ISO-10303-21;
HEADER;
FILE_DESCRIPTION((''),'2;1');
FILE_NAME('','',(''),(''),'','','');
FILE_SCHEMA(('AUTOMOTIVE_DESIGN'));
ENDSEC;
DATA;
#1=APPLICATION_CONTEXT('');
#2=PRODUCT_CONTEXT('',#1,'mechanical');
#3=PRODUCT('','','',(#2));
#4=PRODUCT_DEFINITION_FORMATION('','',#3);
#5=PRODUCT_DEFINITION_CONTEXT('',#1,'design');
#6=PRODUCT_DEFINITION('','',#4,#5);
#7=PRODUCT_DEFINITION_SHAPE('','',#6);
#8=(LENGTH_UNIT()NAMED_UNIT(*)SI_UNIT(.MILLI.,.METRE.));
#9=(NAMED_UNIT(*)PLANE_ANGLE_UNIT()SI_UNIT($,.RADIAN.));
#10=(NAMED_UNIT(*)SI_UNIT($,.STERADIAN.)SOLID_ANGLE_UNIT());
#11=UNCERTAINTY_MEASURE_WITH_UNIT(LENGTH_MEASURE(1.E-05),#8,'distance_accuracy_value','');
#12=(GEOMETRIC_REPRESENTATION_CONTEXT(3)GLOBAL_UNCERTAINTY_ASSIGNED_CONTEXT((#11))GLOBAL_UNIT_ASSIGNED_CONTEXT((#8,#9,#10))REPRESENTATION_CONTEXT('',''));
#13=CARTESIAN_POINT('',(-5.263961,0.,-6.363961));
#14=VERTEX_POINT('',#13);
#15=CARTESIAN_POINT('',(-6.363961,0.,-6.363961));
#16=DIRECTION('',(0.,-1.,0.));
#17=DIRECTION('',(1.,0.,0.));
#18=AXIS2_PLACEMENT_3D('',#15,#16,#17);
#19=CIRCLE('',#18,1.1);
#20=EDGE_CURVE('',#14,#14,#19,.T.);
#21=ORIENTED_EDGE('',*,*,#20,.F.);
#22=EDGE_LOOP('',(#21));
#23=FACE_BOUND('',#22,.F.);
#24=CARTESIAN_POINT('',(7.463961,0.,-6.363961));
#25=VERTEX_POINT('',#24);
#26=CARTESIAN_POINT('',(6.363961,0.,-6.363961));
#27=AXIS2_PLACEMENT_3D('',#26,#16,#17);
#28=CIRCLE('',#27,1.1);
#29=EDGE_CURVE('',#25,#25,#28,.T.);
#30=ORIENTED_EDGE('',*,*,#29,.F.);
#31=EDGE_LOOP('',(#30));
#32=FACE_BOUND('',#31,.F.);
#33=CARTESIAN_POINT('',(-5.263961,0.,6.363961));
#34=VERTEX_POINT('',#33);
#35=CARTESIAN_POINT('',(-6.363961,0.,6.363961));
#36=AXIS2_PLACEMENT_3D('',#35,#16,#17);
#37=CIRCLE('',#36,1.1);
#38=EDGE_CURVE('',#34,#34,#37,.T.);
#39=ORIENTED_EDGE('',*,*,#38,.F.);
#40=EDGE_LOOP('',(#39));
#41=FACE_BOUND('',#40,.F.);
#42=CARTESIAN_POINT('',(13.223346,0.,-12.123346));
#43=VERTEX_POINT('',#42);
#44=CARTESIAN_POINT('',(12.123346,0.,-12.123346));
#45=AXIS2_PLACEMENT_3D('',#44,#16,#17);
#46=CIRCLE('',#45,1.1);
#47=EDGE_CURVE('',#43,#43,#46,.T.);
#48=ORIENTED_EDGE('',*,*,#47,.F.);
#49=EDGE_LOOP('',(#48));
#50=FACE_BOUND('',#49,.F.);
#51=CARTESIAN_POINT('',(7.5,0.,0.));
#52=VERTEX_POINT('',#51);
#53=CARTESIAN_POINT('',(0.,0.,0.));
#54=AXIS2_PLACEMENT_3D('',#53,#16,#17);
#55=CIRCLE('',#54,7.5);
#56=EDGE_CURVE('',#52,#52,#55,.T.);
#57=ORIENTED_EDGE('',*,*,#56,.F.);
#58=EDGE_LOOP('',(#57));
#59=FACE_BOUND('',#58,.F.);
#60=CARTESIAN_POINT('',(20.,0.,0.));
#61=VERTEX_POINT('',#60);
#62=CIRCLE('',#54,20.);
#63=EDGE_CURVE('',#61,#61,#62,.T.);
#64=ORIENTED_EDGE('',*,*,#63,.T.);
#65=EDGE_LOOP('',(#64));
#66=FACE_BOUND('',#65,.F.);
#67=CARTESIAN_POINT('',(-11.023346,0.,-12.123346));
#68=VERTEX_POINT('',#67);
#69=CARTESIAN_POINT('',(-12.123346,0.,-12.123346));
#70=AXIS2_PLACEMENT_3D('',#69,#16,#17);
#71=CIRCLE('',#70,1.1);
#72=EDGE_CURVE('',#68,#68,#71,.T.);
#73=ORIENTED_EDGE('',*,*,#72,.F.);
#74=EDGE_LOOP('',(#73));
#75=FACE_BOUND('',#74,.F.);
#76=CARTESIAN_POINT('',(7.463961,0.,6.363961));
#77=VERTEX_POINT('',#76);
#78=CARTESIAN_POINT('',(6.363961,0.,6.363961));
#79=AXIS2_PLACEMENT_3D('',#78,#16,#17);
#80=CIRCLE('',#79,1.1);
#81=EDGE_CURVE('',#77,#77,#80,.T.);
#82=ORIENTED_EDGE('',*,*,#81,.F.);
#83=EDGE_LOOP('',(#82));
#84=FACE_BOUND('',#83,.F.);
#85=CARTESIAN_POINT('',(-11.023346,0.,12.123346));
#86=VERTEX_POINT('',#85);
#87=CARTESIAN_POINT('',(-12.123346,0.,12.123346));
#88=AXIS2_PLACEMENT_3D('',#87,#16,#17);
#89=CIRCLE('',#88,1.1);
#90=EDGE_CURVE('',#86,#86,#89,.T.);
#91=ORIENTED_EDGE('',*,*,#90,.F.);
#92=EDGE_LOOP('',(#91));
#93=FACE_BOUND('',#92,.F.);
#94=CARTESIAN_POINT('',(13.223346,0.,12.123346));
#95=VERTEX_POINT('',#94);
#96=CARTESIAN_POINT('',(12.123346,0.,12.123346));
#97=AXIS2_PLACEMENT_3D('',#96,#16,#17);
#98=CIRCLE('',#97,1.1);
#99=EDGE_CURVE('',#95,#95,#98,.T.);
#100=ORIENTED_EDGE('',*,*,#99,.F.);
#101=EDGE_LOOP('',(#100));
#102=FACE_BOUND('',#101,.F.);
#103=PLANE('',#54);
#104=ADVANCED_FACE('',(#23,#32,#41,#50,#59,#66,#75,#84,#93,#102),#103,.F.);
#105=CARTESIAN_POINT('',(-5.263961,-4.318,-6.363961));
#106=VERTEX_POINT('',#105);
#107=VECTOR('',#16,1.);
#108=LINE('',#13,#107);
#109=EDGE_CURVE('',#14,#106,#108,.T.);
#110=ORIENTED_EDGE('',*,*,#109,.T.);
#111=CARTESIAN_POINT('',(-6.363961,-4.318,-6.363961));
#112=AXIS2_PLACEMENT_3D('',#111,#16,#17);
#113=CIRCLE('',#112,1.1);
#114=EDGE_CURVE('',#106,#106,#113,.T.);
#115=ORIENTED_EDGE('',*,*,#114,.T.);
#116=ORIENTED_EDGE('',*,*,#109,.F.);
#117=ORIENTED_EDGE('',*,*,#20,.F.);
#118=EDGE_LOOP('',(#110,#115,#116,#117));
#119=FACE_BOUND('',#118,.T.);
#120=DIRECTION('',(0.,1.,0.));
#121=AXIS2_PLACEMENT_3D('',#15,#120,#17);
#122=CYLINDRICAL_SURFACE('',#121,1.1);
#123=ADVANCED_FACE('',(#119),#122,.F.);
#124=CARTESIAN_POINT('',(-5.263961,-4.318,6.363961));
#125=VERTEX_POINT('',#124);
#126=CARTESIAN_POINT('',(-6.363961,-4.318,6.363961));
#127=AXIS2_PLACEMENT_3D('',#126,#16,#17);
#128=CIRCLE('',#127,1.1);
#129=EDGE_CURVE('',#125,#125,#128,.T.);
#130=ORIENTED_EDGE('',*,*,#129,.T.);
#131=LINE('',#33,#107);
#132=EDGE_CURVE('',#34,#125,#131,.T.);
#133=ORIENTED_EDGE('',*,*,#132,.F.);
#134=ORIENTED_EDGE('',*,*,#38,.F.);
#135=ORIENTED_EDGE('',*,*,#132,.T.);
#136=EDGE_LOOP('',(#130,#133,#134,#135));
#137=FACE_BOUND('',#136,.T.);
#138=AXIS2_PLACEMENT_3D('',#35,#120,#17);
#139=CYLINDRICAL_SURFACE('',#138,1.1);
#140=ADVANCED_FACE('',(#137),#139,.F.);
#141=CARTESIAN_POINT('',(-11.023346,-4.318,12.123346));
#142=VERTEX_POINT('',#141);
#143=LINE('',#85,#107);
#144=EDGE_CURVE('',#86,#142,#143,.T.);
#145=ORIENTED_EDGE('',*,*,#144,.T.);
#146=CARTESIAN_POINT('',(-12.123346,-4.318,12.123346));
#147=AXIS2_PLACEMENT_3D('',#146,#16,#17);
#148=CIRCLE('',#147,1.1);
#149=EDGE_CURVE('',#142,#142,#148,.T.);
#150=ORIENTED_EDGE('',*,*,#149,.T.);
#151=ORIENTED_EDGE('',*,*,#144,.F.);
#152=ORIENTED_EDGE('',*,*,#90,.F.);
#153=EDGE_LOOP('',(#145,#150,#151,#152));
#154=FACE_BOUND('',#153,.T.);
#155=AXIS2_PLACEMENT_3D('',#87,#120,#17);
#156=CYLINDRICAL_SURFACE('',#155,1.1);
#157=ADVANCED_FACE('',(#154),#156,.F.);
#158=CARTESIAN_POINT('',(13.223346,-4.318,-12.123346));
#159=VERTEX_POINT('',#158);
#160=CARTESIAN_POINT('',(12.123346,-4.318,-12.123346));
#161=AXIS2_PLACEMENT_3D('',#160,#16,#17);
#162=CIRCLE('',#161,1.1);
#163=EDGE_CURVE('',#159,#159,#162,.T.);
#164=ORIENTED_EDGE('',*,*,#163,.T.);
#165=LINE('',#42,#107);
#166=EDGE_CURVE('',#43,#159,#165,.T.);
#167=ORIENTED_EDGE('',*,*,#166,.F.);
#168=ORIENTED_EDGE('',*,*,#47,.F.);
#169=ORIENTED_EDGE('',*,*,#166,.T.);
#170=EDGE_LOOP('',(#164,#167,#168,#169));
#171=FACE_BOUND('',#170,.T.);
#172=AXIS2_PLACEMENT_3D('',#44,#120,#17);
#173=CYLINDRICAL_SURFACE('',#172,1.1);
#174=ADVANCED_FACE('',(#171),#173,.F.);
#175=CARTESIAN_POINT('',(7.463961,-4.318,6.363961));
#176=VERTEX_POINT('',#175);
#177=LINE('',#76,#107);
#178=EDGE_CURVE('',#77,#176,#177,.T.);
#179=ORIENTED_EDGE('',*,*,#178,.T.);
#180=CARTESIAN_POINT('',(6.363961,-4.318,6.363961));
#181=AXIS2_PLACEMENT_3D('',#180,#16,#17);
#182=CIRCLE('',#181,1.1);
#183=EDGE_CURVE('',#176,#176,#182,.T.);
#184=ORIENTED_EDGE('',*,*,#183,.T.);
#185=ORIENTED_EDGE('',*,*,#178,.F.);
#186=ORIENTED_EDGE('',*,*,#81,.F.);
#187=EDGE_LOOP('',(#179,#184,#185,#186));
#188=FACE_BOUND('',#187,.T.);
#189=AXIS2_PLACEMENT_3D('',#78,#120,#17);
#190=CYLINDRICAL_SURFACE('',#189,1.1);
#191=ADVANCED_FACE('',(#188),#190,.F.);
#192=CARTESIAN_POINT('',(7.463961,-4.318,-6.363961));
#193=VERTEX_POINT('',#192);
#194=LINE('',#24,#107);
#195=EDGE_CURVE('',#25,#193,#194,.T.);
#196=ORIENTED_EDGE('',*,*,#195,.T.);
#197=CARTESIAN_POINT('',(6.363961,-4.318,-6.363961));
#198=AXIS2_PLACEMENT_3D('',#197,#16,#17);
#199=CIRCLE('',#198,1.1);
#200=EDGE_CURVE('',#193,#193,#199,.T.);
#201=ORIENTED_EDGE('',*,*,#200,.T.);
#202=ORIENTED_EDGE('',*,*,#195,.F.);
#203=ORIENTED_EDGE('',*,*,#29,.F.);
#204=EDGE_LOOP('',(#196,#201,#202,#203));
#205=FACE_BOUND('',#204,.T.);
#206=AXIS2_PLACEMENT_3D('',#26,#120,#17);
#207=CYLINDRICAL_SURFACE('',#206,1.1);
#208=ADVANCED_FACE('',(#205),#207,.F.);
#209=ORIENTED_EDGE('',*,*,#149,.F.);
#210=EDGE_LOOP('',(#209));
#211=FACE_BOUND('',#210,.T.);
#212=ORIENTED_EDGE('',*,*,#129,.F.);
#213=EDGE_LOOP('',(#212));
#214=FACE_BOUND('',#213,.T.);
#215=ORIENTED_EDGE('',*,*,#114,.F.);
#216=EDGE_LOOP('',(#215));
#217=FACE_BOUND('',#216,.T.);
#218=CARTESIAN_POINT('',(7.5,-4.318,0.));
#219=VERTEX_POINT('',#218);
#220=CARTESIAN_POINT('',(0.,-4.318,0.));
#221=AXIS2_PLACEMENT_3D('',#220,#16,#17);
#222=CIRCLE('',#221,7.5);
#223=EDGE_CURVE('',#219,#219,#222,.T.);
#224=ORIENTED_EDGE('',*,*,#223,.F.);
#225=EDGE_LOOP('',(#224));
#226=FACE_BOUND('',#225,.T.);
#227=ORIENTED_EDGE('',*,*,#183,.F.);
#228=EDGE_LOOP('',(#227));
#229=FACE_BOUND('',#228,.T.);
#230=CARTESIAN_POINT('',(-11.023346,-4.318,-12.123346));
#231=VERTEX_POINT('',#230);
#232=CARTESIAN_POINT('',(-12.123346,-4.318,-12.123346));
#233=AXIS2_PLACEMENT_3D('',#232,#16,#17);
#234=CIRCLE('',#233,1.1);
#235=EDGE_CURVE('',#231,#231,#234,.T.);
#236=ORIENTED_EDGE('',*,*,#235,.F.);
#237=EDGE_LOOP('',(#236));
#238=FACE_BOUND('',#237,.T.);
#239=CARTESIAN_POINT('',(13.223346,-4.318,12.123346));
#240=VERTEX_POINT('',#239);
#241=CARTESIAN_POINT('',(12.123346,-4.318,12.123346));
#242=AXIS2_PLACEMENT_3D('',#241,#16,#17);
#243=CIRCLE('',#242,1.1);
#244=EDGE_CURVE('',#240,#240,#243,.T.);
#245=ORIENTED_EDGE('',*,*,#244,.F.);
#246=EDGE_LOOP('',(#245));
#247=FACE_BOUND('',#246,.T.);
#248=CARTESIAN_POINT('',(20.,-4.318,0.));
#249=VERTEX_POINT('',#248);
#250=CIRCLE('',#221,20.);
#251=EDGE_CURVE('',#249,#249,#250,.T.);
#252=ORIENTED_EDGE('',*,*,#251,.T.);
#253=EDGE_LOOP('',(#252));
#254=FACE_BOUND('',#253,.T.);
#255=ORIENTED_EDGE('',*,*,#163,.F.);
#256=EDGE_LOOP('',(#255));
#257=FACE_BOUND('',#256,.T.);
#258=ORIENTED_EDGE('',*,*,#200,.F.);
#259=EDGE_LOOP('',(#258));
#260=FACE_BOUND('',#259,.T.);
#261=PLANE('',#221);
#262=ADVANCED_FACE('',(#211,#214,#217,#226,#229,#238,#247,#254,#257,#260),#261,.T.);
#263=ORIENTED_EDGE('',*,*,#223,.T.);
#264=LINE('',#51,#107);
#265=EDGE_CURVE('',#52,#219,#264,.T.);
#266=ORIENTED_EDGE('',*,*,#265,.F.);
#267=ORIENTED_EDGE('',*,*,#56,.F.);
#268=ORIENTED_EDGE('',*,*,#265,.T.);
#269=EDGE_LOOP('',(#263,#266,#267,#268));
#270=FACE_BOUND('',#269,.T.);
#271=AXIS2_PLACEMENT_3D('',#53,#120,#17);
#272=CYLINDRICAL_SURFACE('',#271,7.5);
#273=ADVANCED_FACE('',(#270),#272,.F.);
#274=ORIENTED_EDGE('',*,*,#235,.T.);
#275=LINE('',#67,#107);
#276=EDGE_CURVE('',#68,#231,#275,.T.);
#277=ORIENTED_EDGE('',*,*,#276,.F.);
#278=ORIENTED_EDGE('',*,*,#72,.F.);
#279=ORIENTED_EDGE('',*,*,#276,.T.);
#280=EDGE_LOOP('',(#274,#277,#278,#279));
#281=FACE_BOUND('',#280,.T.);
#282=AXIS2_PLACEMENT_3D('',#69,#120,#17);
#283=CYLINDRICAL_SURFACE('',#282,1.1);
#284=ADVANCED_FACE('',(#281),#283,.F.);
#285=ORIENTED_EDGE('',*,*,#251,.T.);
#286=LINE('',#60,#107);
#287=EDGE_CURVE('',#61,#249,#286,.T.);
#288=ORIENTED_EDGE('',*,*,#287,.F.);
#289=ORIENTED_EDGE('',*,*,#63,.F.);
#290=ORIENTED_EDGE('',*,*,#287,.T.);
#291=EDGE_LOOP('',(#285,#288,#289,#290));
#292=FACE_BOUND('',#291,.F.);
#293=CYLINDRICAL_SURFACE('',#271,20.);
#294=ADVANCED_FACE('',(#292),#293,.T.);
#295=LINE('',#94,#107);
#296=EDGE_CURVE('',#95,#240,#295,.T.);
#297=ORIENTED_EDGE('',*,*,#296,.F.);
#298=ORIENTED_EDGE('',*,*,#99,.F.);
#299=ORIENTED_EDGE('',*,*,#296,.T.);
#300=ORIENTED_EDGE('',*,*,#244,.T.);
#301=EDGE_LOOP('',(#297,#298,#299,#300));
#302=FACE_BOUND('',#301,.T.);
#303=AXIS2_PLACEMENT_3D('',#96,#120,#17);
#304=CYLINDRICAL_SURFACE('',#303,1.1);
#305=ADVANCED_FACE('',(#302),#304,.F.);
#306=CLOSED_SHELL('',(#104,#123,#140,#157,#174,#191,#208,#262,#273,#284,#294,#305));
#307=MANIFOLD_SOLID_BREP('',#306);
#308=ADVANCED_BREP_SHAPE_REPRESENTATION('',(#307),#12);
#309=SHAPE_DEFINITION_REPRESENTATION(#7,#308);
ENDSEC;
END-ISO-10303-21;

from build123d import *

# Parameters (mm, degrees)
F0_R     = 20
F0_R_2   = 1.1
F0_R_3   = 7.5
F1_DEPTH = 4.318


with BuildPart() as f1:
    # F0 (on Front) → F1 (new body)
    with BuildSketch(Plane.XZ):
        Circle(F0_R)
        with Locations((-12.123346, -12.123346)):
            Circle(F0_R_2, mode=Mode.SUBTRACT)
        with Locations((-6.363961, -6.363961)):
            Circle(F0_R_2, mode=Mode.SUBTRACT)
        with Locations((12.123346, -12.123346)):
            Circle(F0_R_2, mode=Mode.SUBTRACT)
        with Locations((6.363961, -6.363961)):
            Circle(F0_R_2, mode=Mode.SUBTRACT)
        with Locations((-6.363961, 6.363961)):
            Circle(F0_R_2, mode=Mode.SUBTRACT)
        with Locations((-12.123346, 12.123346)):
            Circle(F0_R_2, mode=Mode.SUBTRACT)
        Circle(F0_R_3, mode=Mode.SUBTRACT)
        with Locations((6.363961, 6.363961)):
            Circle(F0_R_2, mode=Mode.SUBTRACT)
        with Locations((12.123346, 12.123346)):
            Circle(F0_R_2, mode=Mode.SUBTRACT)
    extrude(amount=F1_DEPTH)


solid = f1.part
